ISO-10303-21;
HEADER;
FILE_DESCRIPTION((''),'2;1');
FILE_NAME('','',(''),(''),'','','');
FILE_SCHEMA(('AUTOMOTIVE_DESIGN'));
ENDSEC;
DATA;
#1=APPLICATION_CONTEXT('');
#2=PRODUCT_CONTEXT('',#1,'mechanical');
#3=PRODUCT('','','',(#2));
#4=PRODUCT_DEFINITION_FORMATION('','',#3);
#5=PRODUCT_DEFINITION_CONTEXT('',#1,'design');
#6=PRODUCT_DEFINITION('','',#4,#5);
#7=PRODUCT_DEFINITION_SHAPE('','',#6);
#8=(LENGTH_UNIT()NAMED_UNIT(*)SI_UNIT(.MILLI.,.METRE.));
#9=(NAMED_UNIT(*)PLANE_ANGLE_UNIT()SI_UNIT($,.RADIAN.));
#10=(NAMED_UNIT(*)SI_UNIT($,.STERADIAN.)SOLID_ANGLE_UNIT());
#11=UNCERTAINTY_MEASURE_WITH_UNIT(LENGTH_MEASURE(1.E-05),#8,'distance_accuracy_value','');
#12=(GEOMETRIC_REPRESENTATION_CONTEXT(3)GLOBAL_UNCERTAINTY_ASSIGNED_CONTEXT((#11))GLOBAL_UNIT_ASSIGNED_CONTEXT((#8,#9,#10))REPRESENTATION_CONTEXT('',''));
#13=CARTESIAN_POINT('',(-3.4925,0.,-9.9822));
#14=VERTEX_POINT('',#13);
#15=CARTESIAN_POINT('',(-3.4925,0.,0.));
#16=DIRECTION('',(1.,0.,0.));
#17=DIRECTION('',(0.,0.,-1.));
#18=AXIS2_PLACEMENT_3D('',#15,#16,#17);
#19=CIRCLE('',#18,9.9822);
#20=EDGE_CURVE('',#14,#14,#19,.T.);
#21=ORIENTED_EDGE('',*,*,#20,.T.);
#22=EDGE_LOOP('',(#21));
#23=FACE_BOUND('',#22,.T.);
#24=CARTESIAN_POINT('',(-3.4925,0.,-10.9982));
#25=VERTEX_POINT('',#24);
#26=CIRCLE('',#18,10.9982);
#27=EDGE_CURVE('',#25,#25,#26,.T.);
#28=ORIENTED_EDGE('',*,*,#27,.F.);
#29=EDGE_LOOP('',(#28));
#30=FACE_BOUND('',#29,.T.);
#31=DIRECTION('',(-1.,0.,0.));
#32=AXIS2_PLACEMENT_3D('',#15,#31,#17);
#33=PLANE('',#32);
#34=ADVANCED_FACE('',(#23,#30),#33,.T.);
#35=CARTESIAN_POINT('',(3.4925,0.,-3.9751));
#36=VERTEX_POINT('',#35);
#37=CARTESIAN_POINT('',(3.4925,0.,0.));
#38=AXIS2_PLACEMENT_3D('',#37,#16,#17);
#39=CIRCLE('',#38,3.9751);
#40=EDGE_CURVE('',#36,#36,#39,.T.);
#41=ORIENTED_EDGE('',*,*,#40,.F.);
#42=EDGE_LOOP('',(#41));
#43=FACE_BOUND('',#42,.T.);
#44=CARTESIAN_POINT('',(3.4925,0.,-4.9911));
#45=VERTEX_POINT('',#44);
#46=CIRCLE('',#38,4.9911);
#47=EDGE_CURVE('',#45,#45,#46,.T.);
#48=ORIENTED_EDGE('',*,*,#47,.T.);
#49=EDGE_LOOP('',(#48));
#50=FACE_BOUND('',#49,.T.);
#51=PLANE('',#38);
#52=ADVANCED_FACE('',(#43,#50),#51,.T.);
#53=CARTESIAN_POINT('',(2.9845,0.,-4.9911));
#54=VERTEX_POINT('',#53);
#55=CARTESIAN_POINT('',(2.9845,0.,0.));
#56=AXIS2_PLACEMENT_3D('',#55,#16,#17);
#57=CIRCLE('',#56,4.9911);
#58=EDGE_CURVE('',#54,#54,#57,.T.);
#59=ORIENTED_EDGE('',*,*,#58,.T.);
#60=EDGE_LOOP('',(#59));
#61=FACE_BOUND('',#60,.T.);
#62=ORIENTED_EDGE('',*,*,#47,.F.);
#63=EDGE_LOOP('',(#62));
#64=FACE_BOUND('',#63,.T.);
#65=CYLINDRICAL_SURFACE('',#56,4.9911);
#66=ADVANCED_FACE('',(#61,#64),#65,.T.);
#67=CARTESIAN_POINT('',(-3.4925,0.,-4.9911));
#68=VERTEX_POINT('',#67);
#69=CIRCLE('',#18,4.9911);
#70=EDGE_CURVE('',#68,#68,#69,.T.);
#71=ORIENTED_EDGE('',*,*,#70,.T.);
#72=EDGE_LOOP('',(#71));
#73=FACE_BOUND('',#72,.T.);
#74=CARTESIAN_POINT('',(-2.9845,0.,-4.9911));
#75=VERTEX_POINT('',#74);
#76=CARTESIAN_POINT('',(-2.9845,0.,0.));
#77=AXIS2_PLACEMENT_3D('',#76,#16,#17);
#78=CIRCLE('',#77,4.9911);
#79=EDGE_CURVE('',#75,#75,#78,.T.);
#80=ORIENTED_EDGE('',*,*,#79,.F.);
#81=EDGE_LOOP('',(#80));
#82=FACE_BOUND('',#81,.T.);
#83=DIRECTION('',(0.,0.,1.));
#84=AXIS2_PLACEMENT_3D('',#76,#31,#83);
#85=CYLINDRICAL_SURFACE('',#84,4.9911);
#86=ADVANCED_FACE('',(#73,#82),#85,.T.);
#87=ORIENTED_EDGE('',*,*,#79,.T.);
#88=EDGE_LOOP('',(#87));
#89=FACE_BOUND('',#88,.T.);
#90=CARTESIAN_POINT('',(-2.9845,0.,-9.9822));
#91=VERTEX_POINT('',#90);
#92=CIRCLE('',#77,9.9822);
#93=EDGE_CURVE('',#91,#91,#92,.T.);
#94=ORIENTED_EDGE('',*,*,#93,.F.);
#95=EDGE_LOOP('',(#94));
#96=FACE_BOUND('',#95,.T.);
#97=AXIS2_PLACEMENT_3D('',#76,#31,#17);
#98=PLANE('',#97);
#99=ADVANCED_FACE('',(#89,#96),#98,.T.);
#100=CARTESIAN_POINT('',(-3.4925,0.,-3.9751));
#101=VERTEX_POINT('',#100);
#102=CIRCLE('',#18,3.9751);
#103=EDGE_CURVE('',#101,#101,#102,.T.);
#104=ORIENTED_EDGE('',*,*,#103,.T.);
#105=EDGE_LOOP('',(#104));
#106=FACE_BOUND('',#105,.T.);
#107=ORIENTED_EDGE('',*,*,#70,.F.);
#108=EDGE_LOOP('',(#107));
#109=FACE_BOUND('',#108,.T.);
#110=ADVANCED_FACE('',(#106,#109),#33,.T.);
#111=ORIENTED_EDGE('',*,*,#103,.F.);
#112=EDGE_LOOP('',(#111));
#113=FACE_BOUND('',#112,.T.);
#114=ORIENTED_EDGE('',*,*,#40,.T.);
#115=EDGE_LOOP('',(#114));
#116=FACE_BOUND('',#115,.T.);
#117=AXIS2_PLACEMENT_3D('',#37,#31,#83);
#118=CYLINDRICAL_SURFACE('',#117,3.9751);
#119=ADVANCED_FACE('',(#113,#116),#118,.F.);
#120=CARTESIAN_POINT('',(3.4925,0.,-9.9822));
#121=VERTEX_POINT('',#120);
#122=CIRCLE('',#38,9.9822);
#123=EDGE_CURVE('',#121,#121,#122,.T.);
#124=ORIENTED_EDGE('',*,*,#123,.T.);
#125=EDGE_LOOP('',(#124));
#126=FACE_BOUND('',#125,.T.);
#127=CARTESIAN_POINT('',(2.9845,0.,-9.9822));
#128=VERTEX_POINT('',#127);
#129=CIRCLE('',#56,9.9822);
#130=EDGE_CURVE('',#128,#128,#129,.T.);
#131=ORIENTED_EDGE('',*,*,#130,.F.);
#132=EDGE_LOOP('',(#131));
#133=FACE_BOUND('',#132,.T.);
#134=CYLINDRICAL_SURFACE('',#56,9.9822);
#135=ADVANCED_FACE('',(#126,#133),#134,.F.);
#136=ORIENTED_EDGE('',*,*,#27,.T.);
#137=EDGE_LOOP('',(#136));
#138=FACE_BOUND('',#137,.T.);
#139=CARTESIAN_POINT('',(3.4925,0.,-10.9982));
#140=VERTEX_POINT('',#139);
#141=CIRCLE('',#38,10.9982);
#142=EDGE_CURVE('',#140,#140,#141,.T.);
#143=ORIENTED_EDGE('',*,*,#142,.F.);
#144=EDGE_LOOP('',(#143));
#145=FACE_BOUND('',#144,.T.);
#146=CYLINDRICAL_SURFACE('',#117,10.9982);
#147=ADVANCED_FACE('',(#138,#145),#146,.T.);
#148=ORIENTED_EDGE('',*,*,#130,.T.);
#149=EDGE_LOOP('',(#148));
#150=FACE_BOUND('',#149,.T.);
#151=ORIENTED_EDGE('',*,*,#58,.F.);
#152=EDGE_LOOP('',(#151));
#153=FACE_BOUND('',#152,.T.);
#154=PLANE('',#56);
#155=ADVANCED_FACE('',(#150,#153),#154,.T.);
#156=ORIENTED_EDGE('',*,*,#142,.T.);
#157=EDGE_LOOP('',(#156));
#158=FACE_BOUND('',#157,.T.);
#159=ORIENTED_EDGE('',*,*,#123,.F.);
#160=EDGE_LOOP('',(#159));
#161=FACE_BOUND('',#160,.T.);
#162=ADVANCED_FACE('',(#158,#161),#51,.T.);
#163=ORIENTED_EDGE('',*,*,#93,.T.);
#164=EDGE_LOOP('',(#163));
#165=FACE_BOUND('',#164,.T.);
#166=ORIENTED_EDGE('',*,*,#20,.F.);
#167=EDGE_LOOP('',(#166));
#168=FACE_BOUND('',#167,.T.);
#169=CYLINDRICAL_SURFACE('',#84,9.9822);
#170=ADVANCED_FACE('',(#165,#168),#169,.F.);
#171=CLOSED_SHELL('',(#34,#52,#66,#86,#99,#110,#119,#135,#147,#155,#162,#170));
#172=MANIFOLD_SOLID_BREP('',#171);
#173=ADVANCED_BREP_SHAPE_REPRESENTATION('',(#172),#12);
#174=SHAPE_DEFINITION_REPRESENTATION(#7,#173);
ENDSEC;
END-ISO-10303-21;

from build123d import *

# Parameters (mm, degrees)
SKETCH1_R      = 10.9982
SKETCH1_R_2    = 3.9751
EXTRUDE1_DEPTH = 3.4925
SKETCH2_R      = 9.9822
SKETCH2_R_2    = 4.9911
EXTRUDE2_DEPTH = 0.508


with BuildPart() as part:
    # Sketch1 → Extrude1 (new body)
    with BuildSketch(Plane(origin=(0, 0, 0), x_dir=(0, 0, -1), z_dir=(1, 0, 0))):
        Circle(SKETCH1_R)
        Circle(SKETCH1_R_2, mode=Mode.SUBTRACT)
    extrude1 = extrude(amount=EXTRUDE1_DEPTH)

    # Sketch2 → Extrude2 (cut)
    with BuildSketch(Plane(origin=(3.4925, 0, 0), x_dir=(0, 0, -1), z_dir=(1, 0, 0))):
        Circle(SKETCH2_R)
        Circle(SKETCH2_R_2, mode=Mode.SUBTRACT)
    extrude2 = extrude(amount=-EXTRUDE2_DEPTH, mode=Mode.SUBTRACT)

    # Mirror1: Extrude1, Extrude2 across plane
    add(extrude1.mirror(Plane(origin=(0, 0, 0), x_dir=(0, 0, 1), z_dir=(1, 0, 0))))
    add(extrude2.mirror(Plane(origin=(0, 0, 0), x_dir=(0, 0, 1), z_dir=(1, 0, 0))), mode=Mode.SUBTRACT)


solid = part.part
